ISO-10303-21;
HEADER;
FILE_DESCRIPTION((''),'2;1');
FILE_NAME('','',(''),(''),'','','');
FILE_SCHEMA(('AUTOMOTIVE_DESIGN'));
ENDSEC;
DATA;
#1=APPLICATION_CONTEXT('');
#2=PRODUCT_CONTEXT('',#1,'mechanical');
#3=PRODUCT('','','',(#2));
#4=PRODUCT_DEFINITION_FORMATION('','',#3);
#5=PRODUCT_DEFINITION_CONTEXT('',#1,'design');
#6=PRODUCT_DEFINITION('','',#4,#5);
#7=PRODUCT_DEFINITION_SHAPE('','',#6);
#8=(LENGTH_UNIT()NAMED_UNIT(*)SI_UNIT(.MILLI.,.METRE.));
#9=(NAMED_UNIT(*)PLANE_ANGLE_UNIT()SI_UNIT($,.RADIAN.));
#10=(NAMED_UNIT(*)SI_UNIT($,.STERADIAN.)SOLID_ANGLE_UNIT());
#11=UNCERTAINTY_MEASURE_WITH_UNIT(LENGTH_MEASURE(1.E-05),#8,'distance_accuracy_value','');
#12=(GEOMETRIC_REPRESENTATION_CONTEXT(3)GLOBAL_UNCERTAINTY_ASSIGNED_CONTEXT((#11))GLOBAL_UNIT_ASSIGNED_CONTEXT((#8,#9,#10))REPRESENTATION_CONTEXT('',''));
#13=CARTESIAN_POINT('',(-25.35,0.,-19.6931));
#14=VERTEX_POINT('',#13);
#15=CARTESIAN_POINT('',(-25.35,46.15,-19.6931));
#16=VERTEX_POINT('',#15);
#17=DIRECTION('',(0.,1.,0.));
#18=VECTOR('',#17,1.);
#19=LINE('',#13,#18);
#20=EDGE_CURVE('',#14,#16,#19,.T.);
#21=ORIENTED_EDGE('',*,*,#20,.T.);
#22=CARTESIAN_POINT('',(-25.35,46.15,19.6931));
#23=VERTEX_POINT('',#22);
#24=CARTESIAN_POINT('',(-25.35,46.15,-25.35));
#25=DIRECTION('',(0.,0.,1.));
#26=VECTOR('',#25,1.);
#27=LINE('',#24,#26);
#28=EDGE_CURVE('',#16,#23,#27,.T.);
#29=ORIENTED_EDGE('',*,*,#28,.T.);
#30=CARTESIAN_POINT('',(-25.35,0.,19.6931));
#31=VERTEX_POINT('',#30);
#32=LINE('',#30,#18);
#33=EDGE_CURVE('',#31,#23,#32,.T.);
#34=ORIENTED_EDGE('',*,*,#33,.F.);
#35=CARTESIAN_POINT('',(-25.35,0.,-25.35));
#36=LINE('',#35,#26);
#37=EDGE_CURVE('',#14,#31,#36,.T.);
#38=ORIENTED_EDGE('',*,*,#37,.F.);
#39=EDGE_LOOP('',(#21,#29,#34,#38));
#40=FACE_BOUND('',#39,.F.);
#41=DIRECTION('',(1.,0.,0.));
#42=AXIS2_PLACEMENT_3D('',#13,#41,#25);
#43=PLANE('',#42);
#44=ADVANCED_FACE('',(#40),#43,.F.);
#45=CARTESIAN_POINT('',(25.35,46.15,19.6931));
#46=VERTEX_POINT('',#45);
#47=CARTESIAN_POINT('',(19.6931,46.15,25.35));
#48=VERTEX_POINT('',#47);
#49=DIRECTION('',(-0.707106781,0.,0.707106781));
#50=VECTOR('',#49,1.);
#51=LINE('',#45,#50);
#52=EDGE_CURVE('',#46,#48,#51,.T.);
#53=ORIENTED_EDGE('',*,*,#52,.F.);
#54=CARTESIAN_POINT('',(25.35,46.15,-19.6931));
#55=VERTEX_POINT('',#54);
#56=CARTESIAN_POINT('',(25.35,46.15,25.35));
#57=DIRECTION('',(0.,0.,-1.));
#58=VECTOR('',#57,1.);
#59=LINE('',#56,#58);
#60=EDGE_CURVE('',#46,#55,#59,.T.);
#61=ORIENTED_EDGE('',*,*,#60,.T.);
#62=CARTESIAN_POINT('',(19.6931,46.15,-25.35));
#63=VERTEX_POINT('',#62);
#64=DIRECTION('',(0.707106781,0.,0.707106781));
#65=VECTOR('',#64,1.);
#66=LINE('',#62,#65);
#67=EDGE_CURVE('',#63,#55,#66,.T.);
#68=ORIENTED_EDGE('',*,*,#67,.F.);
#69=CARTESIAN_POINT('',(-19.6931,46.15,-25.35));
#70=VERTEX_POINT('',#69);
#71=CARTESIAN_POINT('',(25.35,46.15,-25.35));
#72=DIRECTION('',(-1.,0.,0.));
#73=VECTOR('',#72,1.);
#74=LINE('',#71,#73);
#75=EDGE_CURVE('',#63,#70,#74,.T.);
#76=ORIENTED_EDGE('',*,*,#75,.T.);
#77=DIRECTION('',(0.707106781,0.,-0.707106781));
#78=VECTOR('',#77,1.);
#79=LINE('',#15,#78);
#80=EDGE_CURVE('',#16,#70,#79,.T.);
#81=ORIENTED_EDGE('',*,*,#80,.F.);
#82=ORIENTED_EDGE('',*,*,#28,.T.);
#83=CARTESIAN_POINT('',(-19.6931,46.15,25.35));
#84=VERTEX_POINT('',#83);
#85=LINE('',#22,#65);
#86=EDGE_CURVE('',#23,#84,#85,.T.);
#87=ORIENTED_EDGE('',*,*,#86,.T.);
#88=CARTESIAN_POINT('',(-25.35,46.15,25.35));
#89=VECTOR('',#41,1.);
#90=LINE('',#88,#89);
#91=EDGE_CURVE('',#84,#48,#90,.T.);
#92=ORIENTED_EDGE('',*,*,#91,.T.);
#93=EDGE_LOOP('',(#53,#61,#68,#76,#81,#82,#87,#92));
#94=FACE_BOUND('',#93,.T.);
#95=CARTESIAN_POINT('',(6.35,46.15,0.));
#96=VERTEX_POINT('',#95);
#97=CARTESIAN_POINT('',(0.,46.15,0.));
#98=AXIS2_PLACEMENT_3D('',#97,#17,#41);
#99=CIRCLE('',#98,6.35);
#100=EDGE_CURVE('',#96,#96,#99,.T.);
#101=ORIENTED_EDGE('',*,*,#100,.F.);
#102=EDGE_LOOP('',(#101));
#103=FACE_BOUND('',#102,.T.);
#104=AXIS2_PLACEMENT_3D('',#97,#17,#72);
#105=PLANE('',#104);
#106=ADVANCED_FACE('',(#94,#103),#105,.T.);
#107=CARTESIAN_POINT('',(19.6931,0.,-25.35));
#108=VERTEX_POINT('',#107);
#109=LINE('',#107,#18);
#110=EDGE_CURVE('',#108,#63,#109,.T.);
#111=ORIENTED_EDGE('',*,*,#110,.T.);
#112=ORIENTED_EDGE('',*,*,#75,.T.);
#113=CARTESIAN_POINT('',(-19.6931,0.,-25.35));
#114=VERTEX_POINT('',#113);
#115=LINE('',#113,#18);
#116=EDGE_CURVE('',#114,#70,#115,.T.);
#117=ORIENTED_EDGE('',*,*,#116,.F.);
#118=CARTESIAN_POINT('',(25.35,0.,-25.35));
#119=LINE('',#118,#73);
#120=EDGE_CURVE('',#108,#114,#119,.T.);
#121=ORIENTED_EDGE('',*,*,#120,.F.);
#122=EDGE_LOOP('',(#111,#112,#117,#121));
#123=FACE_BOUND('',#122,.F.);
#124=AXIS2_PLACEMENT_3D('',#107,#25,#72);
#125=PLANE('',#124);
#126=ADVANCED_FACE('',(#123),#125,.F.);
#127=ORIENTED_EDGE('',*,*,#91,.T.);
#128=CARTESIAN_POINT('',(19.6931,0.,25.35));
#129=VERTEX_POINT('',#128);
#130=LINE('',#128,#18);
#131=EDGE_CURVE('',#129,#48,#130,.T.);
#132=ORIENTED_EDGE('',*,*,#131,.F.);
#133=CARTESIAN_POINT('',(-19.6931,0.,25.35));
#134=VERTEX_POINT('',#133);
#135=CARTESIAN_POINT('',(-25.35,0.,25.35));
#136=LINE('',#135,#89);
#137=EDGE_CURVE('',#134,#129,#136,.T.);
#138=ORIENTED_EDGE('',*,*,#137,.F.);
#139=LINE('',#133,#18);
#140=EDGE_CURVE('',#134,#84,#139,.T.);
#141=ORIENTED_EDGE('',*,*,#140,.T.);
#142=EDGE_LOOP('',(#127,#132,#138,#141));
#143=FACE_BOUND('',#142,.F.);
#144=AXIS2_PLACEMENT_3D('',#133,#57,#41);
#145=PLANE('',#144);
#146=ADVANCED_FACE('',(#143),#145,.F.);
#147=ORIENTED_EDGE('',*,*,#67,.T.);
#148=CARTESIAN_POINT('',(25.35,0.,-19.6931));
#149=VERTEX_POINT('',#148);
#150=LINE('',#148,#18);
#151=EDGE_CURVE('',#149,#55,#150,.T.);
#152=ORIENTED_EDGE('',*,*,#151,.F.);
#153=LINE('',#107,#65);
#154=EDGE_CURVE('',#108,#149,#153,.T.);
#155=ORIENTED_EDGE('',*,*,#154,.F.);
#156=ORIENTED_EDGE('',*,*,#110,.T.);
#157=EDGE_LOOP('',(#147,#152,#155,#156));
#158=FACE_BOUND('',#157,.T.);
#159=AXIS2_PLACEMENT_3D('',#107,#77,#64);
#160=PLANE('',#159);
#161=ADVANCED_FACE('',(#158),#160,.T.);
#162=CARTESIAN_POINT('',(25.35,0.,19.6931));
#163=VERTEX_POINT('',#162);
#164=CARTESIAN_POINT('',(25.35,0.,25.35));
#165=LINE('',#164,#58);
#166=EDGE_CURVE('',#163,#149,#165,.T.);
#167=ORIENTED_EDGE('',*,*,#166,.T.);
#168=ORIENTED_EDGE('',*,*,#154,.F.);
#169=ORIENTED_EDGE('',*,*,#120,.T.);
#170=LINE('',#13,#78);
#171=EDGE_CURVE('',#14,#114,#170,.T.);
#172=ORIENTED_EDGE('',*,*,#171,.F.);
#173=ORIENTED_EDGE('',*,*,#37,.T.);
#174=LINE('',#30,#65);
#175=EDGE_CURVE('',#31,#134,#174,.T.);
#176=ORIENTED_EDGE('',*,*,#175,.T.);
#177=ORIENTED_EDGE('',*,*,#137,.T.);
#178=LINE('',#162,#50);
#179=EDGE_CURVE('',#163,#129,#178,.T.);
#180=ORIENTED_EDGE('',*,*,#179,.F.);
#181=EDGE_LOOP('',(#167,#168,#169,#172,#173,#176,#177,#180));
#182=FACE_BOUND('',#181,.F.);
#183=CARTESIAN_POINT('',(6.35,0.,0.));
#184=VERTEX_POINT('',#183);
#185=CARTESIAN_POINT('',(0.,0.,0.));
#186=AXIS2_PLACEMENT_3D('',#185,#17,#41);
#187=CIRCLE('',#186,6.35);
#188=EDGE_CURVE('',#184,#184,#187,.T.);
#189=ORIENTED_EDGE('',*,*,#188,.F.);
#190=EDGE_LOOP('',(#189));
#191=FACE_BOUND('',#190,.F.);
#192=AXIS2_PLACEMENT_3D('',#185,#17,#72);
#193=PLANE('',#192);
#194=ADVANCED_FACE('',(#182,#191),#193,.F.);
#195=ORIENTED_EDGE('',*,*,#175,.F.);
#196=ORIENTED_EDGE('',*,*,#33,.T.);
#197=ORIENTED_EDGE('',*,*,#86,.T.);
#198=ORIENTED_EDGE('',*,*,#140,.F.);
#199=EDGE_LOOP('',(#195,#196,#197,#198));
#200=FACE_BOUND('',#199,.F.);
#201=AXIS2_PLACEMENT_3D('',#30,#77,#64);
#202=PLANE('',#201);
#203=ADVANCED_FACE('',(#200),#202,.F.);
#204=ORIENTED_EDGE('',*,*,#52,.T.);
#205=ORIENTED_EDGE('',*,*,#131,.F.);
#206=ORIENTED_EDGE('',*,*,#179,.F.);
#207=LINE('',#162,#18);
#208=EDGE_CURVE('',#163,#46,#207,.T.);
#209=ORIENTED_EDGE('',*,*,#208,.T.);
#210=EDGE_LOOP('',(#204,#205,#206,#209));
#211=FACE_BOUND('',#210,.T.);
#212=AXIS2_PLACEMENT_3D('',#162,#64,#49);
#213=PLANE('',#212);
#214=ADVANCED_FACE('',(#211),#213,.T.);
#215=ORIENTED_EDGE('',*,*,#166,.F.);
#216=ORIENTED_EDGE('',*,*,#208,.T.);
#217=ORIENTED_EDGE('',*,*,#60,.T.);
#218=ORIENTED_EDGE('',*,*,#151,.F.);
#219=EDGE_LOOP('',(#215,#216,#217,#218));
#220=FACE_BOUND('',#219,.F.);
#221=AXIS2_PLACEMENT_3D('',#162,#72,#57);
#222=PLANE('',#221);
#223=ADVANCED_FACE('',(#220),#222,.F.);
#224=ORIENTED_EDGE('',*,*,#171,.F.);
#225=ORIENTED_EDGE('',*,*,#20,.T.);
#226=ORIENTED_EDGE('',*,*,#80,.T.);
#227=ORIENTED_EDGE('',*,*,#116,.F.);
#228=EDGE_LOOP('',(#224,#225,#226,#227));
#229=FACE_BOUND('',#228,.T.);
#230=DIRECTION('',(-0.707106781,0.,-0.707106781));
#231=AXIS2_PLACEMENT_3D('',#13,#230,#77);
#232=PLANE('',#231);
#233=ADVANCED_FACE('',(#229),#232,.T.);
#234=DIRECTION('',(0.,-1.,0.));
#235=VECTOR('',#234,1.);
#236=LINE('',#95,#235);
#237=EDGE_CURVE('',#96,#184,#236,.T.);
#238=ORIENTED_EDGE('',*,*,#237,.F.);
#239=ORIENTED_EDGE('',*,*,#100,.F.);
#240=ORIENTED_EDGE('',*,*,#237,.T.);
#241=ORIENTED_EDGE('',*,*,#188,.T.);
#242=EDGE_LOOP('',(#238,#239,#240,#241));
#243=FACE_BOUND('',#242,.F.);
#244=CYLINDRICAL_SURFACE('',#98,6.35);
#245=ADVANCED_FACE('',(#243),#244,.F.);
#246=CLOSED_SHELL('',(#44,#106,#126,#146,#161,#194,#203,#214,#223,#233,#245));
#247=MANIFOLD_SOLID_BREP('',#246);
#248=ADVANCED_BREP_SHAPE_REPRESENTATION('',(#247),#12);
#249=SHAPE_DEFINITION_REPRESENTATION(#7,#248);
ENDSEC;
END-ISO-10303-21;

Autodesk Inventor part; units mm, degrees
ref_plane "YZ Plane" through (0, 0, 0) normal (1, 0, 0) x (0, 1, 0)
ref_plane "XZ Plane" through (0, 0, 0) normal (0, 1, 0) x (-1, 0, 0)
ref_plane "XY Plane" through (0, 0, 0) normal (0, 0, 1) x (1, 0, 0)
sketch "Sketch1" plane through (0, 0, 0) normal (0, 1, 0) x (-1, 0, 0)
  line L0 (25.35, 25.35) -> (-25.35, 25.35)
  line L1 (-25.35, 25.35) -> (-25.35, -25.35)
  line L2 (-25.35, -25.35) -> (25.35, -25.35)
  line L3 (25.35, -25.35) -> (25.35, 25.35)
  line L4 (25.35, -19.6931) -> (19.6931, -25.35)
  line L5 (-19.6931, -25.35) -> (-25.35, -19.6931)
  line L6 (-25.35, 19.6931) -> (-19.6931, 25.35)
  line L7 (25.35, 19.6931) -> (19.6931, 25.35)
  point P0 (0, 0)
  point P1 (0, 25.35)
  point P2 (-25.35, 0)
  dimension "d0" = 50.7
  dimension "d1" = 50.7
  dimension "d2" = 8
  dimension "d3" = 45
  dimension "d4" = 8
  dimension "d5" = 45
  dimension "d6" = 8
  dimension "d7" = 45
  dimension "d8" = 8
  dimension "d9" = 45
extrude "Extrusion1" add sketch "Sketch1" along normal blind 46.15 contours L7 L3 L4 L2 L5 L1 L6 L0
sketch "Sketch3" plane through (0, 46.15, 0) normal (0, 1, 0) x (1, 0, 0)
  circle A0 centre (0, 0) radius 6.35
  dimension "d13" = 12.7
extrude "Extrusion2" cut sketch "Sketch3" against normal through all
thread "Thread3" size "1/2-13 UNC" class "2B" standard "ANSI Unified Screw Threads" length 46
properties part number "Base" material "Steel, Alloy"
